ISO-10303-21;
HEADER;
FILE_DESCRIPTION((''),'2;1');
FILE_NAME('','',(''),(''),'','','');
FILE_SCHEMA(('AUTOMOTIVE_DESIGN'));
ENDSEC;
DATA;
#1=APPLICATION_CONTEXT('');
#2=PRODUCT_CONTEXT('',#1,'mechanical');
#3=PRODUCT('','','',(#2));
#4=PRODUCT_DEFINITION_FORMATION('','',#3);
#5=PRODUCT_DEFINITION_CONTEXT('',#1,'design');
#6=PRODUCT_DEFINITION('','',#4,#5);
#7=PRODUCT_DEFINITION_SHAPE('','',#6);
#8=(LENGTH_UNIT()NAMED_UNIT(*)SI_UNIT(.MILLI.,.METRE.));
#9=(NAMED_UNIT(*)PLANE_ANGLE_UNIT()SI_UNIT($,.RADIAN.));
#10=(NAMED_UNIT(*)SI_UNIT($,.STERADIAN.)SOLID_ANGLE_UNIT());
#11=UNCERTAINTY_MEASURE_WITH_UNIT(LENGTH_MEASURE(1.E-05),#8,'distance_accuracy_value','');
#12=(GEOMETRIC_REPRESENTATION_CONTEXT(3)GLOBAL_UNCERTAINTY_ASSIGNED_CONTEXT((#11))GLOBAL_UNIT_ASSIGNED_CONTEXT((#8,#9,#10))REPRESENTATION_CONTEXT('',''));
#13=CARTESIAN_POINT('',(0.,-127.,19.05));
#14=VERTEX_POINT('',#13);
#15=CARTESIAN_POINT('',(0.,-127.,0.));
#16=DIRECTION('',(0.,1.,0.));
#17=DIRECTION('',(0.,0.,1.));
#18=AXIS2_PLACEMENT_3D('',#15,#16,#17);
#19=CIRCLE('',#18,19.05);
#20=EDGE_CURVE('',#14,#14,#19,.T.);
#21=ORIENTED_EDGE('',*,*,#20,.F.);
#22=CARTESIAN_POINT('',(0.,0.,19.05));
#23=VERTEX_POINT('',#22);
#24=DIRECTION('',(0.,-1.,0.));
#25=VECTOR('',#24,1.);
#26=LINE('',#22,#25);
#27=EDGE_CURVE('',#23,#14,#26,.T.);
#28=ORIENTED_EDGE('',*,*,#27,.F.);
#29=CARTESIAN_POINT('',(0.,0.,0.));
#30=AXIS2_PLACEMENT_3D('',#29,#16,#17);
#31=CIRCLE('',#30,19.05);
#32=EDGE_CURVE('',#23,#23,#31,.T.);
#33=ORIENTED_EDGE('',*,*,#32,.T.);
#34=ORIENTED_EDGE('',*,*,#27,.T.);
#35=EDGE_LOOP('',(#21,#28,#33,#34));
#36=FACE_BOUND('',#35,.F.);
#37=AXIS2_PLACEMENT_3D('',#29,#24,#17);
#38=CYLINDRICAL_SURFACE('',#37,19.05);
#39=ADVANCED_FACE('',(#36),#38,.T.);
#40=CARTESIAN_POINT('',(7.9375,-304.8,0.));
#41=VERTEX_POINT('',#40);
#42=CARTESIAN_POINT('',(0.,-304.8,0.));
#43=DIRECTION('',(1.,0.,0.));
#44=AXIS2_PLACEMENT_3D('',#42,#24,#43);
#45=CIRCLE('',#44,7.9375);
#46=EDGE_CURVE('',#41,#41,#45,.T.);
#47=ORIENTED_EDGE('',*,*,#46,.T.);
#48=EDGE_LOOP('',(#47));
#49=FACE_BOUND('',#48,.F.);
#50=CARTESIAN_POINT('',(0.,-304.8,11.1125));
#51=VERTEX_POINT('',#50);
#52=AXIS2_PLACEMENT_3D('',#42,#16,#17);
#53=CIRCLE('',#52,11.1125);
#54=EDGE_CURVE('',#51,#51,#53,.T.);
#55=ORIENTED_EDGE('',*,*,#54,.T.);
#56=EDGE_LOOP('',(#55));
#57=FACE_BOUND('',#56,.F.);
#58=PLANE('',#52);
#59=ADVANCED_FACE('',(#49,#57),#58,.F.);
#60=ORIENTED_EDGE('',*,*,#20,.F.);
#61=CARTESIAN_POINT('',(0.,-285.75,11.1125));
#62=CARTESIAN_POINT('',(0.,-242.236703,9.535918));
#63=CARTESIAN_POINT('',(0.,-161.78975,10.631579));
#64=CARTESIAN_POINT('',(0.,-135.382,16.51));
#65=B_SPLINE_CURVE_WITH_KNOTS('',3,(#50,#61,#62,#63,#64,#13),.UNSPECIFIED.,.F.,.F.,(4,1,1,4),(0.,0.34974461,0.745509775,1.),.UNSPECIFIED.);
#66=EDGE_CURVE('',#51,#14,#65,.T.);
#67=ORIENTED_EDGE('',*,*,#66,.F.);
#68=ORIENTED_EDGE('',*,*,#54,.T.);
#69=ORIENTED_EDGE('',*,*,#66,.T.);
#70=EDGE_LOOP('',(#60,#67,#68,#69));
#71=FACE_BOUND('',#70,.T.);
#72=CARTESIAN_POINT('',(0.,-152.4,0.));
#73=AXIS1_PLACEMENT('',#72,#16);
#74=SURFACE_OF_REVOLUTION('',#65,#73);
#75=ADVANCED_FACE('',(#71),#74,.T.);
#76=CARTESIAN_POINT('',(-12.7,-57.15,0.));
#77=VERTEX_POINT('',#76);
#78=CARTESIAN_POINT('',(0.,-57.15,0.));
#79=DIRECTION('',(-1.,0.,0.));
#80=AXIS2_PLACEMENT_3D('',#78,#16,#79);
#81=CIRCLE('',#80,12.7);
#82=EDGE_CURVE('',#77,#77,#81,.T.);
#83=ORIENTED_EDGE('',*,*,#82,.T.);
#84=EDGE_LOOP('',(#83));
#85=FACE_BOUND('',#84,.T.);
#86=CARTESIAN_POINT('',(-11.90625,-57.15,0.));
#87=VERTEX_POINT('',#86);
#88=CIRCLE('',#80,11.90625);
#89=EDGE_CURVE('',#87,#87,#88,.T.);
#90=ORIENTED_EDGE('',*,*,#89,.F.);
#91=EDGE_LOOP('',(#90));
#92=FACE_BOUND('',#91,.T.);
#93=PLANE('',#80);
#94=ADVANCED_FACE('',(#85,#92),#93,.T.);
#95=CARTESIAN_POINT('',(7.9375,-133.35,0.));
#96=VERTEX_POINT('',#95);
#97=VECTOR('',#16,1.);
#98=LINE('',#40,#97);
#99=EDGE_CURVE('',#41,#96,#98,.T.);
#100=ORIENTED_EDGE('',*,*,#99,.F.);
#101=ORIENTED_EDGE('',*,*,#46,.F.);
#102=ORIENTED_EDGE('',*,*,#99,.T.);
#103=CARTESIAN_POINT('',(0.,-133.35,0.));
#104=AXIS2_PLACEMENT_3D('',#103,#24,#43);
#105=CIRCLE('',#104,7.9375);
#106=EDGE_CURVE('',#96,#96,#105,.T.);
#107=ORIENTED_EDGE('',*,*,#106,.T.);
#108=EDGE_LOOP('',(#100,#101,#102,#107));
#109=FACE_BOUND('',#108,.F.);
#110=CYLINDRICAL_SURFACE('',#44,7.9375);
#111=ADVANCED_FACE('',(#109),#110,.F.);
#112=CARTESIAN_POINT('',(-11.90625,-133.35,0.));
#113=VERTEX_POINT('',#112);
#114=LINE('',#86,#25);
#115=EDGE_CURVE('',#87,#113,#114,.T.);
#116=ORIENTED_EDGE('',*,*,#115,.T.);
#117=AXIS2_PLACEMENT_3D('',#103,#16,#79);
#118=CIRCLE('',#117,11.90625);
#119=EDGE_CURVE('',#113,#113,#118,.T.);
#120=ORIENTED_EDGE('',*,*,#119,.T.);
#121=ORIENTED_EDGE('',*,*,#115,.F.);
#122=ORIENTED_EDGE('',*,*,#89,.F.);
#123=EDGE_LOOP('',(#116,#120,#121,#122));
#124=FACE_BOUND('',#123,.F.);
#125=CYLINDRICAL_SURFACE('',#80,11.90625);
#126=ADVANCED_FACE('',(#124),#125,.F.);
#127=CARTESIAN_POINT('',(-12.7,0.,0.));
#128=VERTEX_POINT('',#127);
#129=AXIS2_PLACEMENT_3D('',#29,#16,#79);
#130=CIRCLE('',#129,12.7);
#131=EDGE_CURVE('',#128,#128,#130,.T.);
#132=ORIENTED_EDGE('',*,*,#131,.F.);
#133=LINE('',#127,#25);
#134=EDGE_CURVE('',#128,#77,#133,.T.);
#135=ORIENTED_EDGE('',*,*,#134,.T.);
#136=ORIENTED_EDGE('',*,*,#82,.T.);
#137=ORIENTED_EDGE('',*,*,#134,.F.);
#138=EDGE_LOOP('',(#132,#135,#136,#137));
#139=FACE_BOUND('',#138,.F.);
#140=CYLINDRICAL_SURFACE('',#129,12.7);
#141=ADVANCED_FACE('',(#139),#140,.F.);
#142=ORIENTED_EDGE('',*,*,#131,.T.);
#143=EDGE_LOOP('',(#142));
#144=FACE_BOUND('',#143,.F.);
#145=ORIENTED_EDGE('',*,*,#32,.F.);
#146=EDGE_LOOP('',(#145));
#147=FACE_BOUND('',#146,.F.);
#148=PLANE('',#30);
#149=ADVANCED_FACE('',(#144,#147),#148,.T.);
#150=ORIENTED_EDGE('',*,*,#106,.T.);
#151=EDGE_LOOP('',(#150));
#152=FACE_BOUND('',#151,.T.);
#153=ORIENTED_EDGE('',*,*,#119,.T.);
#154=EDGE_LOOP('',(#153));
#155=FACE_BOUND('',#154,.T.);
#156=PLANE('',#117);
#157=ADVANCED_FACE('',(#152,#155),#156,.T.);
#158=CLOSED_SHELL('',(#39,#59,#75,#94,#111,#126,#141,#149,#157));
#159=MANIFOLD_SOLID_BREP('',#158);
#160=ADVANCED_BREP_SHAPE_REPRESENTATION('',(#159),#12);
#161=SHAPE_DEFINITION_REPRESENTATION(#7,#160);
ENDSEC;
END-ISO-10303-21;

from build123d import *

# Parameters (mm, degrees)
F2_R     = 7.9375
F3_DEPTH = 304.801
F4_R     = 12.7
F5_DEPTH = 57.15
F6_R     = 11.90625
F7_DEPTH = 76.2


with BuildPart() as f1:
    # F0 (on Right) → F1 (revolve)
    with BuildSketch(Plane.YZ):
        with BuildLine():
            add(Edge.make_bspline(
                [(-304.8, 11.1125), (-285.75, 11.1125), (-242.2367029758, 9.5359179721), (-161.7897503824, 10.6315785702), (-135.382, 16.51), (-127, 19.05)],
                knots=[0, 0, 0, 0, 0.3497446097, 0.7455097749, 1, 1, 1, 1], degree=3))
            Line((-304.8, 11.1125), (-304.8, 0))
            Line((-304.8, 0), (0, 0))
            Line((0, 0), (0, 19.05))
            Line((0, 19.05), (-127, 19.05))
        make_face()
    revolve(axis=Axis((0, -152.4, 0), (0, 1, 0)))

    # F2 (on face) → F3 (cut, through all)
    with BuildSketch(Plane.XZ.offset(304.8)):
        Circle(F2_R)
    extrude(amount=-F3_DEPTH, mode=Mode.SUBTRACT)

    # F4 (on face) → F5 (cut)
    with BuildSketch(Plane(origin=(0, 0, 0), x_dir=(-1, 0, 0), z_dir=(0, 1, 0))):
        Circle(F4_R)
    extrude(amount=-F5_DEPTH, mode=Mode.SUBTRACT)

    # F6 (on face) → F7 (cut)
    with BuildSketch(Plane(origin=(0, -57.15, 0), x_dir=(-1, 0, 0), z_dir=(0, 1, 0))):
        Circle(F6_R)
    extrude(amount=-F7_DEPTH, mode=Mode.SUBTRACT)


solid = f1.part
